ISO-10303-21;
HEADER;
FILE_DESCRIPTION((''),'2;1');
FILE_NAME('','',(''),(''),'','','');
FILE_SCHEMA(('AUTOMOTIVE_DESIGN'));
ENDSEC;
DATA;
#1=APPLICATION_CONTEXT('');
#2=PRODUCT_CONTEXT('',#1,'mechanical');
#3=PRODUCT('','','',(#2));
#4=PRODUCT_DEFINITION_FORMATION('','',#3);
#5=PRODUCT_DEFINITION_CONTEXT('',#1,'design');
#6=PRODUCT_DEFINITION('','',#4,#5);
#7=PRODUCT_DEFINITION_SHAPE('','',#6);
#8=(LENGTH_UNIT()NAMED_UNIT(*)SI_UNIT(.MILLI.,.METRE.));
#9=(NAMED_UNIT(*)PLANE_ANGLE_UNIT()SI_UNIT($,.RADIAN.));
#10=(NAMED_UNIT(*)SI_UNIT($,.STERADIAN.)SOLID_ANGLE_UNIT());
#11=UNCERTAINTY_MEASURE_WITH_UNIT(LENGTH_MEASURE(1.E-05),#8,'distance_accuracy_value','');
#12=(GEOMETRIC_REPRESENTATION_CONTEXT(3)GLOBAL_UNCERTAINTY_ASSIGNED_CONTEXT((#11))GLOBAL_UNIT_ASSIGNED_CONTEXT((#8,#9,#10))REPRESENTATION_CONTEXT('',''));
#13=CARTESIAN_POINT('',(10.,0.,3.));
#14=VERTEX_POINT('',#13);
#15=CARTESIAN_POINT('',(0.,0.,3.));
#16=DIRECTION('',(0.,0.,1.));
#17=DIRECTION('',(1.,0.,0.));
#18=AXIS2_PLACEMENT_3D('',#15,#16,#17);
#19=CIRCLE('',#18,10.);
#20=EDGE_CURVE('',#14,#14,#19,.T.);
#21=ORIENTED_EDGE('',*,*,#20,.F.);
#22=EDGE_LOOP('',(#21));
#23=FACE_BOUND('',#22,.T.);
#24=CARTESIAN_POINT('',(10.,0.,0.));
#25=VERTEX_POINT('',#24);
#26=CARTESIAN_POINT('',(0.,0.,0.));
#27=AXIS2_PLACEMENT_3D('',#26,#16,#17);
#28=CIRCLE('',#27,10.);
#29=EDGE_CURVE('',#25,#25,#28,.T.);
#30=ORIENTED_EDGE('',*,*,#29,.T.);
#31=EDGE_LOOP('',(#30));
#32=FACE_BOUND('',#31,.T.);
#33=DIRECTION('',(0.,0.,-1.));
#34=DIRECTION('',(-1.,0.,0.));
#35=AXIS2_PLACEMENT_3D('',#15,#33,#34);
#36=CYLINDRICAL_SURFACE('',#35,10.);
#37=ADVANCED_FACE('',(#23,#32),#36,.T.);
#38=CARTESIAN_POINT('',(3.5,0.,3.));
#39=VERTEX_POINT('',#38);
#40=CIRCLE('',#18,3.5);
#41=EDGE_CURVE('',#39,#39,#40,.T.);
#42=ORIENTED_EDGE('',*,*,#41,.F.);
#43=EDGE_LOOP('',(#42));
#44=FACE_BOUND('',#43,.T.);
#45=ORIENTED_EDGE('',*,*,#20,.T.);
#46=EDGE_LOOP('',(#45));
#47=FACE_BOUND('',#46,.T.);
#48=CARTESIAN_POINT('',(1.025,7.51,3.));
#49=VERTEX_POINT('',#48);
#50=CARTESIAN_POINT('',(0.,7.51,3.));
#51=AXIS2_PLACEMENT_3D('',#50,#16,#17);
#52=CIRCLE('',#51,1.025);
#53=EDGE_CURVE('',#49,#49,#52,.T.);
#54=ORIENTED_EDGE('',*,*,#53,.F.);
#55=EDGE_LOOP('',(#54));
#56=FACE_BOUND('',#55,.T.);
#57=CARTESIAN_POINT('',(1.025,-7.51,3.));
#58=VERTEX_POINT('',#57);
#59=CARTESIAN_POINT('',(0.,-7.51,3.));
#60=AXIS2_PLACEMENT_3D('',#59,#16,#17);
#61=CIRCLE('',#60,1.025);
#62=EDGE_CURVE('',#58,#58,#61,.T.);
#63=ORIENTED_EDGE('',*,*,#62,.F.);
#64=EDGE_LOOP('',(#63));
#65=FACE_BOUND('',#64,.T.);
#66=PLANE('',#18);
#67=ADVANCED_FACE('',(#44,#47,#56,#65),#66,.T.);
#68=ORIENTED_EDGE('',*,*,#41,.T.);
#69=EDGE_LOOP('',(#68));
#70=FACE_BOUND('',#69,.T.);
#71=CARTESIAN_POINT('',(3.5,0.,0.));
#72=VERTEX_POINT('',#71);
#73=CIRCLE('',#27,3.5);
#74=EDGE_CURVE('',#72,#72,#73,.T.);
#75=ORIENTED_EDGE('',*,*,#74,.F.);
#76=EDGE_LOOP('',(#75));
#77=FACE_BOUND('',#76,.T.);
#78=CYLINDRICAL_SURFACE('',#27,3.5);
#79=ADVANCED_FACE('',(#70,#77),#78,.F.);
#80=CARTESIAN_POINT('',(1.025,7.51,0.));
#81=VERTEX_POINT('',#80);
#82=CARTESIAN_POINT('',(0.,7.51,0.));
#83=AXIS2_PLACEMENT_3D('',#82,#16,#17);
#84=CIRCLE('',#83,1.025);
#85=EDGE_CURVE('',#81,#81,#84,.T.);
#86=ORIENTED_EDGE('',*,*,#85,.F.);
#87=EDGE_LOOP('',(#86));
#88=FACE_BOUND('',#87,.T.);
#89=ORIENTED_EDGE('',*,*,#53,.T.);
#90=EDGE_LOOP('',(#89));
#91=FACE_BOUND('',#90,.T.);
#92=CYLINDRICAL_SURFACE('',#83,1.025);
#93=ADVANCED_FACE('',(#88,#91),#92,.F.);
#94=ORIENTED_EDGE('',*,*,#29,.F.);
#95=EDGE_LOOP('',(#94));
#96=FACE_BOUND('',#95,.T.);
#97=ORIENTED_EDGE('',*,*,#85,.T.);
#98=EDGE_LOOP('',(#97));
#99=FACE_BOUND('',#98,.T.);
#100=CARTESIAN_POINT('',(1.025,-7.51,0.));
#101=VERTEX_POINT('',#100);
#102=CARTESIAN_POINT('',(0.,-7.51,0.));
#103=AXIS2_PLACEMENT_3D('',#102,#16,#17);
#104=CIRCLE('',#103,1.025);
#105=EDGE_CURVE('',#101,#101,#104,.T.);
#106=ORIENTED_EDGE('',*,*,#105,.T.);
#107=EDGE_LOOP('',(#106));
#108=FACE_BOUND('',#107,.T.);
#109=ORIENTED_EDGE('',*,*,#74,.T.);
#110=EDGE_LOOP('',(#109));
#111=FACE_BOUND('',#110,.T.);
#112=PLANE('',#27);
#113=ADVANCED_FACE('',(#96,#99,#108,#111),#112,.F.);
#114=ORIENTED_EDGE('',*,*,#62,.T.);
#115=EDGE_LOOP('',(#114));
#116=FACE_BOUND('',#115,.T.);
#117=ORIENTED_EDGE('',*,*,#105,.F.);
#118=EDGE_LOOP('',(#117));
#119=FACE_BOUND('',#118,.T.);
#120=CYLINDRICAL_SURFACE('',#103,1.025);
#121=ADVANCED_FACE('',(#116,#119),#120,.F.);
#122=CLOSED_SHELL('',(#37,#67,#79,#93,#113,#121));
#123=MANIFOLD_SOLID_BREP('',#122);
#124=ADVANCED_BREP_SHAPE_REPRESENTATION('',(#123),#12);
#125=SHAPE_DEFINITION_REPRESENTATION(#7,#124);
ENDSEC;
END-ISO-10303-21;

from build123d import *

# Parameters (mm, degrees)
CROQUIS1_R              = 10
SALIENTE_EXTRUIR1_DEPTH = 3
CROQUIS2_R              = 1.025
CROQUIS2_R_2            = 3.5
CORTAR_EXTRUIR1_DEPTH   = 3


with BuildPart() as part:
    # Croquis1 → Saliente-Extruir1 (new body)
    with BuildSketch(Plane.XY):
        Circle(CROQUIS1_R)
    extrude(amount=SALIENTE_EXTRUIR1_DEPTH)

    # Croquis2 → Cortar-Extruir1 (cut)
    with BuildSketch(Plane.XY.offset(3)):
        with Locations((0, 7.51)):
            Circle(CROQUIS2_R)
        with Locations((0, -7.51)):
            Circle(CROQUIS2_R)
        Circle(CROQUIS2_R_2)
    extrude(amount=-CORTAR_EXTRUIR1_DEPTH, mode=Mode.SUBTRACT)


solid = part.part
